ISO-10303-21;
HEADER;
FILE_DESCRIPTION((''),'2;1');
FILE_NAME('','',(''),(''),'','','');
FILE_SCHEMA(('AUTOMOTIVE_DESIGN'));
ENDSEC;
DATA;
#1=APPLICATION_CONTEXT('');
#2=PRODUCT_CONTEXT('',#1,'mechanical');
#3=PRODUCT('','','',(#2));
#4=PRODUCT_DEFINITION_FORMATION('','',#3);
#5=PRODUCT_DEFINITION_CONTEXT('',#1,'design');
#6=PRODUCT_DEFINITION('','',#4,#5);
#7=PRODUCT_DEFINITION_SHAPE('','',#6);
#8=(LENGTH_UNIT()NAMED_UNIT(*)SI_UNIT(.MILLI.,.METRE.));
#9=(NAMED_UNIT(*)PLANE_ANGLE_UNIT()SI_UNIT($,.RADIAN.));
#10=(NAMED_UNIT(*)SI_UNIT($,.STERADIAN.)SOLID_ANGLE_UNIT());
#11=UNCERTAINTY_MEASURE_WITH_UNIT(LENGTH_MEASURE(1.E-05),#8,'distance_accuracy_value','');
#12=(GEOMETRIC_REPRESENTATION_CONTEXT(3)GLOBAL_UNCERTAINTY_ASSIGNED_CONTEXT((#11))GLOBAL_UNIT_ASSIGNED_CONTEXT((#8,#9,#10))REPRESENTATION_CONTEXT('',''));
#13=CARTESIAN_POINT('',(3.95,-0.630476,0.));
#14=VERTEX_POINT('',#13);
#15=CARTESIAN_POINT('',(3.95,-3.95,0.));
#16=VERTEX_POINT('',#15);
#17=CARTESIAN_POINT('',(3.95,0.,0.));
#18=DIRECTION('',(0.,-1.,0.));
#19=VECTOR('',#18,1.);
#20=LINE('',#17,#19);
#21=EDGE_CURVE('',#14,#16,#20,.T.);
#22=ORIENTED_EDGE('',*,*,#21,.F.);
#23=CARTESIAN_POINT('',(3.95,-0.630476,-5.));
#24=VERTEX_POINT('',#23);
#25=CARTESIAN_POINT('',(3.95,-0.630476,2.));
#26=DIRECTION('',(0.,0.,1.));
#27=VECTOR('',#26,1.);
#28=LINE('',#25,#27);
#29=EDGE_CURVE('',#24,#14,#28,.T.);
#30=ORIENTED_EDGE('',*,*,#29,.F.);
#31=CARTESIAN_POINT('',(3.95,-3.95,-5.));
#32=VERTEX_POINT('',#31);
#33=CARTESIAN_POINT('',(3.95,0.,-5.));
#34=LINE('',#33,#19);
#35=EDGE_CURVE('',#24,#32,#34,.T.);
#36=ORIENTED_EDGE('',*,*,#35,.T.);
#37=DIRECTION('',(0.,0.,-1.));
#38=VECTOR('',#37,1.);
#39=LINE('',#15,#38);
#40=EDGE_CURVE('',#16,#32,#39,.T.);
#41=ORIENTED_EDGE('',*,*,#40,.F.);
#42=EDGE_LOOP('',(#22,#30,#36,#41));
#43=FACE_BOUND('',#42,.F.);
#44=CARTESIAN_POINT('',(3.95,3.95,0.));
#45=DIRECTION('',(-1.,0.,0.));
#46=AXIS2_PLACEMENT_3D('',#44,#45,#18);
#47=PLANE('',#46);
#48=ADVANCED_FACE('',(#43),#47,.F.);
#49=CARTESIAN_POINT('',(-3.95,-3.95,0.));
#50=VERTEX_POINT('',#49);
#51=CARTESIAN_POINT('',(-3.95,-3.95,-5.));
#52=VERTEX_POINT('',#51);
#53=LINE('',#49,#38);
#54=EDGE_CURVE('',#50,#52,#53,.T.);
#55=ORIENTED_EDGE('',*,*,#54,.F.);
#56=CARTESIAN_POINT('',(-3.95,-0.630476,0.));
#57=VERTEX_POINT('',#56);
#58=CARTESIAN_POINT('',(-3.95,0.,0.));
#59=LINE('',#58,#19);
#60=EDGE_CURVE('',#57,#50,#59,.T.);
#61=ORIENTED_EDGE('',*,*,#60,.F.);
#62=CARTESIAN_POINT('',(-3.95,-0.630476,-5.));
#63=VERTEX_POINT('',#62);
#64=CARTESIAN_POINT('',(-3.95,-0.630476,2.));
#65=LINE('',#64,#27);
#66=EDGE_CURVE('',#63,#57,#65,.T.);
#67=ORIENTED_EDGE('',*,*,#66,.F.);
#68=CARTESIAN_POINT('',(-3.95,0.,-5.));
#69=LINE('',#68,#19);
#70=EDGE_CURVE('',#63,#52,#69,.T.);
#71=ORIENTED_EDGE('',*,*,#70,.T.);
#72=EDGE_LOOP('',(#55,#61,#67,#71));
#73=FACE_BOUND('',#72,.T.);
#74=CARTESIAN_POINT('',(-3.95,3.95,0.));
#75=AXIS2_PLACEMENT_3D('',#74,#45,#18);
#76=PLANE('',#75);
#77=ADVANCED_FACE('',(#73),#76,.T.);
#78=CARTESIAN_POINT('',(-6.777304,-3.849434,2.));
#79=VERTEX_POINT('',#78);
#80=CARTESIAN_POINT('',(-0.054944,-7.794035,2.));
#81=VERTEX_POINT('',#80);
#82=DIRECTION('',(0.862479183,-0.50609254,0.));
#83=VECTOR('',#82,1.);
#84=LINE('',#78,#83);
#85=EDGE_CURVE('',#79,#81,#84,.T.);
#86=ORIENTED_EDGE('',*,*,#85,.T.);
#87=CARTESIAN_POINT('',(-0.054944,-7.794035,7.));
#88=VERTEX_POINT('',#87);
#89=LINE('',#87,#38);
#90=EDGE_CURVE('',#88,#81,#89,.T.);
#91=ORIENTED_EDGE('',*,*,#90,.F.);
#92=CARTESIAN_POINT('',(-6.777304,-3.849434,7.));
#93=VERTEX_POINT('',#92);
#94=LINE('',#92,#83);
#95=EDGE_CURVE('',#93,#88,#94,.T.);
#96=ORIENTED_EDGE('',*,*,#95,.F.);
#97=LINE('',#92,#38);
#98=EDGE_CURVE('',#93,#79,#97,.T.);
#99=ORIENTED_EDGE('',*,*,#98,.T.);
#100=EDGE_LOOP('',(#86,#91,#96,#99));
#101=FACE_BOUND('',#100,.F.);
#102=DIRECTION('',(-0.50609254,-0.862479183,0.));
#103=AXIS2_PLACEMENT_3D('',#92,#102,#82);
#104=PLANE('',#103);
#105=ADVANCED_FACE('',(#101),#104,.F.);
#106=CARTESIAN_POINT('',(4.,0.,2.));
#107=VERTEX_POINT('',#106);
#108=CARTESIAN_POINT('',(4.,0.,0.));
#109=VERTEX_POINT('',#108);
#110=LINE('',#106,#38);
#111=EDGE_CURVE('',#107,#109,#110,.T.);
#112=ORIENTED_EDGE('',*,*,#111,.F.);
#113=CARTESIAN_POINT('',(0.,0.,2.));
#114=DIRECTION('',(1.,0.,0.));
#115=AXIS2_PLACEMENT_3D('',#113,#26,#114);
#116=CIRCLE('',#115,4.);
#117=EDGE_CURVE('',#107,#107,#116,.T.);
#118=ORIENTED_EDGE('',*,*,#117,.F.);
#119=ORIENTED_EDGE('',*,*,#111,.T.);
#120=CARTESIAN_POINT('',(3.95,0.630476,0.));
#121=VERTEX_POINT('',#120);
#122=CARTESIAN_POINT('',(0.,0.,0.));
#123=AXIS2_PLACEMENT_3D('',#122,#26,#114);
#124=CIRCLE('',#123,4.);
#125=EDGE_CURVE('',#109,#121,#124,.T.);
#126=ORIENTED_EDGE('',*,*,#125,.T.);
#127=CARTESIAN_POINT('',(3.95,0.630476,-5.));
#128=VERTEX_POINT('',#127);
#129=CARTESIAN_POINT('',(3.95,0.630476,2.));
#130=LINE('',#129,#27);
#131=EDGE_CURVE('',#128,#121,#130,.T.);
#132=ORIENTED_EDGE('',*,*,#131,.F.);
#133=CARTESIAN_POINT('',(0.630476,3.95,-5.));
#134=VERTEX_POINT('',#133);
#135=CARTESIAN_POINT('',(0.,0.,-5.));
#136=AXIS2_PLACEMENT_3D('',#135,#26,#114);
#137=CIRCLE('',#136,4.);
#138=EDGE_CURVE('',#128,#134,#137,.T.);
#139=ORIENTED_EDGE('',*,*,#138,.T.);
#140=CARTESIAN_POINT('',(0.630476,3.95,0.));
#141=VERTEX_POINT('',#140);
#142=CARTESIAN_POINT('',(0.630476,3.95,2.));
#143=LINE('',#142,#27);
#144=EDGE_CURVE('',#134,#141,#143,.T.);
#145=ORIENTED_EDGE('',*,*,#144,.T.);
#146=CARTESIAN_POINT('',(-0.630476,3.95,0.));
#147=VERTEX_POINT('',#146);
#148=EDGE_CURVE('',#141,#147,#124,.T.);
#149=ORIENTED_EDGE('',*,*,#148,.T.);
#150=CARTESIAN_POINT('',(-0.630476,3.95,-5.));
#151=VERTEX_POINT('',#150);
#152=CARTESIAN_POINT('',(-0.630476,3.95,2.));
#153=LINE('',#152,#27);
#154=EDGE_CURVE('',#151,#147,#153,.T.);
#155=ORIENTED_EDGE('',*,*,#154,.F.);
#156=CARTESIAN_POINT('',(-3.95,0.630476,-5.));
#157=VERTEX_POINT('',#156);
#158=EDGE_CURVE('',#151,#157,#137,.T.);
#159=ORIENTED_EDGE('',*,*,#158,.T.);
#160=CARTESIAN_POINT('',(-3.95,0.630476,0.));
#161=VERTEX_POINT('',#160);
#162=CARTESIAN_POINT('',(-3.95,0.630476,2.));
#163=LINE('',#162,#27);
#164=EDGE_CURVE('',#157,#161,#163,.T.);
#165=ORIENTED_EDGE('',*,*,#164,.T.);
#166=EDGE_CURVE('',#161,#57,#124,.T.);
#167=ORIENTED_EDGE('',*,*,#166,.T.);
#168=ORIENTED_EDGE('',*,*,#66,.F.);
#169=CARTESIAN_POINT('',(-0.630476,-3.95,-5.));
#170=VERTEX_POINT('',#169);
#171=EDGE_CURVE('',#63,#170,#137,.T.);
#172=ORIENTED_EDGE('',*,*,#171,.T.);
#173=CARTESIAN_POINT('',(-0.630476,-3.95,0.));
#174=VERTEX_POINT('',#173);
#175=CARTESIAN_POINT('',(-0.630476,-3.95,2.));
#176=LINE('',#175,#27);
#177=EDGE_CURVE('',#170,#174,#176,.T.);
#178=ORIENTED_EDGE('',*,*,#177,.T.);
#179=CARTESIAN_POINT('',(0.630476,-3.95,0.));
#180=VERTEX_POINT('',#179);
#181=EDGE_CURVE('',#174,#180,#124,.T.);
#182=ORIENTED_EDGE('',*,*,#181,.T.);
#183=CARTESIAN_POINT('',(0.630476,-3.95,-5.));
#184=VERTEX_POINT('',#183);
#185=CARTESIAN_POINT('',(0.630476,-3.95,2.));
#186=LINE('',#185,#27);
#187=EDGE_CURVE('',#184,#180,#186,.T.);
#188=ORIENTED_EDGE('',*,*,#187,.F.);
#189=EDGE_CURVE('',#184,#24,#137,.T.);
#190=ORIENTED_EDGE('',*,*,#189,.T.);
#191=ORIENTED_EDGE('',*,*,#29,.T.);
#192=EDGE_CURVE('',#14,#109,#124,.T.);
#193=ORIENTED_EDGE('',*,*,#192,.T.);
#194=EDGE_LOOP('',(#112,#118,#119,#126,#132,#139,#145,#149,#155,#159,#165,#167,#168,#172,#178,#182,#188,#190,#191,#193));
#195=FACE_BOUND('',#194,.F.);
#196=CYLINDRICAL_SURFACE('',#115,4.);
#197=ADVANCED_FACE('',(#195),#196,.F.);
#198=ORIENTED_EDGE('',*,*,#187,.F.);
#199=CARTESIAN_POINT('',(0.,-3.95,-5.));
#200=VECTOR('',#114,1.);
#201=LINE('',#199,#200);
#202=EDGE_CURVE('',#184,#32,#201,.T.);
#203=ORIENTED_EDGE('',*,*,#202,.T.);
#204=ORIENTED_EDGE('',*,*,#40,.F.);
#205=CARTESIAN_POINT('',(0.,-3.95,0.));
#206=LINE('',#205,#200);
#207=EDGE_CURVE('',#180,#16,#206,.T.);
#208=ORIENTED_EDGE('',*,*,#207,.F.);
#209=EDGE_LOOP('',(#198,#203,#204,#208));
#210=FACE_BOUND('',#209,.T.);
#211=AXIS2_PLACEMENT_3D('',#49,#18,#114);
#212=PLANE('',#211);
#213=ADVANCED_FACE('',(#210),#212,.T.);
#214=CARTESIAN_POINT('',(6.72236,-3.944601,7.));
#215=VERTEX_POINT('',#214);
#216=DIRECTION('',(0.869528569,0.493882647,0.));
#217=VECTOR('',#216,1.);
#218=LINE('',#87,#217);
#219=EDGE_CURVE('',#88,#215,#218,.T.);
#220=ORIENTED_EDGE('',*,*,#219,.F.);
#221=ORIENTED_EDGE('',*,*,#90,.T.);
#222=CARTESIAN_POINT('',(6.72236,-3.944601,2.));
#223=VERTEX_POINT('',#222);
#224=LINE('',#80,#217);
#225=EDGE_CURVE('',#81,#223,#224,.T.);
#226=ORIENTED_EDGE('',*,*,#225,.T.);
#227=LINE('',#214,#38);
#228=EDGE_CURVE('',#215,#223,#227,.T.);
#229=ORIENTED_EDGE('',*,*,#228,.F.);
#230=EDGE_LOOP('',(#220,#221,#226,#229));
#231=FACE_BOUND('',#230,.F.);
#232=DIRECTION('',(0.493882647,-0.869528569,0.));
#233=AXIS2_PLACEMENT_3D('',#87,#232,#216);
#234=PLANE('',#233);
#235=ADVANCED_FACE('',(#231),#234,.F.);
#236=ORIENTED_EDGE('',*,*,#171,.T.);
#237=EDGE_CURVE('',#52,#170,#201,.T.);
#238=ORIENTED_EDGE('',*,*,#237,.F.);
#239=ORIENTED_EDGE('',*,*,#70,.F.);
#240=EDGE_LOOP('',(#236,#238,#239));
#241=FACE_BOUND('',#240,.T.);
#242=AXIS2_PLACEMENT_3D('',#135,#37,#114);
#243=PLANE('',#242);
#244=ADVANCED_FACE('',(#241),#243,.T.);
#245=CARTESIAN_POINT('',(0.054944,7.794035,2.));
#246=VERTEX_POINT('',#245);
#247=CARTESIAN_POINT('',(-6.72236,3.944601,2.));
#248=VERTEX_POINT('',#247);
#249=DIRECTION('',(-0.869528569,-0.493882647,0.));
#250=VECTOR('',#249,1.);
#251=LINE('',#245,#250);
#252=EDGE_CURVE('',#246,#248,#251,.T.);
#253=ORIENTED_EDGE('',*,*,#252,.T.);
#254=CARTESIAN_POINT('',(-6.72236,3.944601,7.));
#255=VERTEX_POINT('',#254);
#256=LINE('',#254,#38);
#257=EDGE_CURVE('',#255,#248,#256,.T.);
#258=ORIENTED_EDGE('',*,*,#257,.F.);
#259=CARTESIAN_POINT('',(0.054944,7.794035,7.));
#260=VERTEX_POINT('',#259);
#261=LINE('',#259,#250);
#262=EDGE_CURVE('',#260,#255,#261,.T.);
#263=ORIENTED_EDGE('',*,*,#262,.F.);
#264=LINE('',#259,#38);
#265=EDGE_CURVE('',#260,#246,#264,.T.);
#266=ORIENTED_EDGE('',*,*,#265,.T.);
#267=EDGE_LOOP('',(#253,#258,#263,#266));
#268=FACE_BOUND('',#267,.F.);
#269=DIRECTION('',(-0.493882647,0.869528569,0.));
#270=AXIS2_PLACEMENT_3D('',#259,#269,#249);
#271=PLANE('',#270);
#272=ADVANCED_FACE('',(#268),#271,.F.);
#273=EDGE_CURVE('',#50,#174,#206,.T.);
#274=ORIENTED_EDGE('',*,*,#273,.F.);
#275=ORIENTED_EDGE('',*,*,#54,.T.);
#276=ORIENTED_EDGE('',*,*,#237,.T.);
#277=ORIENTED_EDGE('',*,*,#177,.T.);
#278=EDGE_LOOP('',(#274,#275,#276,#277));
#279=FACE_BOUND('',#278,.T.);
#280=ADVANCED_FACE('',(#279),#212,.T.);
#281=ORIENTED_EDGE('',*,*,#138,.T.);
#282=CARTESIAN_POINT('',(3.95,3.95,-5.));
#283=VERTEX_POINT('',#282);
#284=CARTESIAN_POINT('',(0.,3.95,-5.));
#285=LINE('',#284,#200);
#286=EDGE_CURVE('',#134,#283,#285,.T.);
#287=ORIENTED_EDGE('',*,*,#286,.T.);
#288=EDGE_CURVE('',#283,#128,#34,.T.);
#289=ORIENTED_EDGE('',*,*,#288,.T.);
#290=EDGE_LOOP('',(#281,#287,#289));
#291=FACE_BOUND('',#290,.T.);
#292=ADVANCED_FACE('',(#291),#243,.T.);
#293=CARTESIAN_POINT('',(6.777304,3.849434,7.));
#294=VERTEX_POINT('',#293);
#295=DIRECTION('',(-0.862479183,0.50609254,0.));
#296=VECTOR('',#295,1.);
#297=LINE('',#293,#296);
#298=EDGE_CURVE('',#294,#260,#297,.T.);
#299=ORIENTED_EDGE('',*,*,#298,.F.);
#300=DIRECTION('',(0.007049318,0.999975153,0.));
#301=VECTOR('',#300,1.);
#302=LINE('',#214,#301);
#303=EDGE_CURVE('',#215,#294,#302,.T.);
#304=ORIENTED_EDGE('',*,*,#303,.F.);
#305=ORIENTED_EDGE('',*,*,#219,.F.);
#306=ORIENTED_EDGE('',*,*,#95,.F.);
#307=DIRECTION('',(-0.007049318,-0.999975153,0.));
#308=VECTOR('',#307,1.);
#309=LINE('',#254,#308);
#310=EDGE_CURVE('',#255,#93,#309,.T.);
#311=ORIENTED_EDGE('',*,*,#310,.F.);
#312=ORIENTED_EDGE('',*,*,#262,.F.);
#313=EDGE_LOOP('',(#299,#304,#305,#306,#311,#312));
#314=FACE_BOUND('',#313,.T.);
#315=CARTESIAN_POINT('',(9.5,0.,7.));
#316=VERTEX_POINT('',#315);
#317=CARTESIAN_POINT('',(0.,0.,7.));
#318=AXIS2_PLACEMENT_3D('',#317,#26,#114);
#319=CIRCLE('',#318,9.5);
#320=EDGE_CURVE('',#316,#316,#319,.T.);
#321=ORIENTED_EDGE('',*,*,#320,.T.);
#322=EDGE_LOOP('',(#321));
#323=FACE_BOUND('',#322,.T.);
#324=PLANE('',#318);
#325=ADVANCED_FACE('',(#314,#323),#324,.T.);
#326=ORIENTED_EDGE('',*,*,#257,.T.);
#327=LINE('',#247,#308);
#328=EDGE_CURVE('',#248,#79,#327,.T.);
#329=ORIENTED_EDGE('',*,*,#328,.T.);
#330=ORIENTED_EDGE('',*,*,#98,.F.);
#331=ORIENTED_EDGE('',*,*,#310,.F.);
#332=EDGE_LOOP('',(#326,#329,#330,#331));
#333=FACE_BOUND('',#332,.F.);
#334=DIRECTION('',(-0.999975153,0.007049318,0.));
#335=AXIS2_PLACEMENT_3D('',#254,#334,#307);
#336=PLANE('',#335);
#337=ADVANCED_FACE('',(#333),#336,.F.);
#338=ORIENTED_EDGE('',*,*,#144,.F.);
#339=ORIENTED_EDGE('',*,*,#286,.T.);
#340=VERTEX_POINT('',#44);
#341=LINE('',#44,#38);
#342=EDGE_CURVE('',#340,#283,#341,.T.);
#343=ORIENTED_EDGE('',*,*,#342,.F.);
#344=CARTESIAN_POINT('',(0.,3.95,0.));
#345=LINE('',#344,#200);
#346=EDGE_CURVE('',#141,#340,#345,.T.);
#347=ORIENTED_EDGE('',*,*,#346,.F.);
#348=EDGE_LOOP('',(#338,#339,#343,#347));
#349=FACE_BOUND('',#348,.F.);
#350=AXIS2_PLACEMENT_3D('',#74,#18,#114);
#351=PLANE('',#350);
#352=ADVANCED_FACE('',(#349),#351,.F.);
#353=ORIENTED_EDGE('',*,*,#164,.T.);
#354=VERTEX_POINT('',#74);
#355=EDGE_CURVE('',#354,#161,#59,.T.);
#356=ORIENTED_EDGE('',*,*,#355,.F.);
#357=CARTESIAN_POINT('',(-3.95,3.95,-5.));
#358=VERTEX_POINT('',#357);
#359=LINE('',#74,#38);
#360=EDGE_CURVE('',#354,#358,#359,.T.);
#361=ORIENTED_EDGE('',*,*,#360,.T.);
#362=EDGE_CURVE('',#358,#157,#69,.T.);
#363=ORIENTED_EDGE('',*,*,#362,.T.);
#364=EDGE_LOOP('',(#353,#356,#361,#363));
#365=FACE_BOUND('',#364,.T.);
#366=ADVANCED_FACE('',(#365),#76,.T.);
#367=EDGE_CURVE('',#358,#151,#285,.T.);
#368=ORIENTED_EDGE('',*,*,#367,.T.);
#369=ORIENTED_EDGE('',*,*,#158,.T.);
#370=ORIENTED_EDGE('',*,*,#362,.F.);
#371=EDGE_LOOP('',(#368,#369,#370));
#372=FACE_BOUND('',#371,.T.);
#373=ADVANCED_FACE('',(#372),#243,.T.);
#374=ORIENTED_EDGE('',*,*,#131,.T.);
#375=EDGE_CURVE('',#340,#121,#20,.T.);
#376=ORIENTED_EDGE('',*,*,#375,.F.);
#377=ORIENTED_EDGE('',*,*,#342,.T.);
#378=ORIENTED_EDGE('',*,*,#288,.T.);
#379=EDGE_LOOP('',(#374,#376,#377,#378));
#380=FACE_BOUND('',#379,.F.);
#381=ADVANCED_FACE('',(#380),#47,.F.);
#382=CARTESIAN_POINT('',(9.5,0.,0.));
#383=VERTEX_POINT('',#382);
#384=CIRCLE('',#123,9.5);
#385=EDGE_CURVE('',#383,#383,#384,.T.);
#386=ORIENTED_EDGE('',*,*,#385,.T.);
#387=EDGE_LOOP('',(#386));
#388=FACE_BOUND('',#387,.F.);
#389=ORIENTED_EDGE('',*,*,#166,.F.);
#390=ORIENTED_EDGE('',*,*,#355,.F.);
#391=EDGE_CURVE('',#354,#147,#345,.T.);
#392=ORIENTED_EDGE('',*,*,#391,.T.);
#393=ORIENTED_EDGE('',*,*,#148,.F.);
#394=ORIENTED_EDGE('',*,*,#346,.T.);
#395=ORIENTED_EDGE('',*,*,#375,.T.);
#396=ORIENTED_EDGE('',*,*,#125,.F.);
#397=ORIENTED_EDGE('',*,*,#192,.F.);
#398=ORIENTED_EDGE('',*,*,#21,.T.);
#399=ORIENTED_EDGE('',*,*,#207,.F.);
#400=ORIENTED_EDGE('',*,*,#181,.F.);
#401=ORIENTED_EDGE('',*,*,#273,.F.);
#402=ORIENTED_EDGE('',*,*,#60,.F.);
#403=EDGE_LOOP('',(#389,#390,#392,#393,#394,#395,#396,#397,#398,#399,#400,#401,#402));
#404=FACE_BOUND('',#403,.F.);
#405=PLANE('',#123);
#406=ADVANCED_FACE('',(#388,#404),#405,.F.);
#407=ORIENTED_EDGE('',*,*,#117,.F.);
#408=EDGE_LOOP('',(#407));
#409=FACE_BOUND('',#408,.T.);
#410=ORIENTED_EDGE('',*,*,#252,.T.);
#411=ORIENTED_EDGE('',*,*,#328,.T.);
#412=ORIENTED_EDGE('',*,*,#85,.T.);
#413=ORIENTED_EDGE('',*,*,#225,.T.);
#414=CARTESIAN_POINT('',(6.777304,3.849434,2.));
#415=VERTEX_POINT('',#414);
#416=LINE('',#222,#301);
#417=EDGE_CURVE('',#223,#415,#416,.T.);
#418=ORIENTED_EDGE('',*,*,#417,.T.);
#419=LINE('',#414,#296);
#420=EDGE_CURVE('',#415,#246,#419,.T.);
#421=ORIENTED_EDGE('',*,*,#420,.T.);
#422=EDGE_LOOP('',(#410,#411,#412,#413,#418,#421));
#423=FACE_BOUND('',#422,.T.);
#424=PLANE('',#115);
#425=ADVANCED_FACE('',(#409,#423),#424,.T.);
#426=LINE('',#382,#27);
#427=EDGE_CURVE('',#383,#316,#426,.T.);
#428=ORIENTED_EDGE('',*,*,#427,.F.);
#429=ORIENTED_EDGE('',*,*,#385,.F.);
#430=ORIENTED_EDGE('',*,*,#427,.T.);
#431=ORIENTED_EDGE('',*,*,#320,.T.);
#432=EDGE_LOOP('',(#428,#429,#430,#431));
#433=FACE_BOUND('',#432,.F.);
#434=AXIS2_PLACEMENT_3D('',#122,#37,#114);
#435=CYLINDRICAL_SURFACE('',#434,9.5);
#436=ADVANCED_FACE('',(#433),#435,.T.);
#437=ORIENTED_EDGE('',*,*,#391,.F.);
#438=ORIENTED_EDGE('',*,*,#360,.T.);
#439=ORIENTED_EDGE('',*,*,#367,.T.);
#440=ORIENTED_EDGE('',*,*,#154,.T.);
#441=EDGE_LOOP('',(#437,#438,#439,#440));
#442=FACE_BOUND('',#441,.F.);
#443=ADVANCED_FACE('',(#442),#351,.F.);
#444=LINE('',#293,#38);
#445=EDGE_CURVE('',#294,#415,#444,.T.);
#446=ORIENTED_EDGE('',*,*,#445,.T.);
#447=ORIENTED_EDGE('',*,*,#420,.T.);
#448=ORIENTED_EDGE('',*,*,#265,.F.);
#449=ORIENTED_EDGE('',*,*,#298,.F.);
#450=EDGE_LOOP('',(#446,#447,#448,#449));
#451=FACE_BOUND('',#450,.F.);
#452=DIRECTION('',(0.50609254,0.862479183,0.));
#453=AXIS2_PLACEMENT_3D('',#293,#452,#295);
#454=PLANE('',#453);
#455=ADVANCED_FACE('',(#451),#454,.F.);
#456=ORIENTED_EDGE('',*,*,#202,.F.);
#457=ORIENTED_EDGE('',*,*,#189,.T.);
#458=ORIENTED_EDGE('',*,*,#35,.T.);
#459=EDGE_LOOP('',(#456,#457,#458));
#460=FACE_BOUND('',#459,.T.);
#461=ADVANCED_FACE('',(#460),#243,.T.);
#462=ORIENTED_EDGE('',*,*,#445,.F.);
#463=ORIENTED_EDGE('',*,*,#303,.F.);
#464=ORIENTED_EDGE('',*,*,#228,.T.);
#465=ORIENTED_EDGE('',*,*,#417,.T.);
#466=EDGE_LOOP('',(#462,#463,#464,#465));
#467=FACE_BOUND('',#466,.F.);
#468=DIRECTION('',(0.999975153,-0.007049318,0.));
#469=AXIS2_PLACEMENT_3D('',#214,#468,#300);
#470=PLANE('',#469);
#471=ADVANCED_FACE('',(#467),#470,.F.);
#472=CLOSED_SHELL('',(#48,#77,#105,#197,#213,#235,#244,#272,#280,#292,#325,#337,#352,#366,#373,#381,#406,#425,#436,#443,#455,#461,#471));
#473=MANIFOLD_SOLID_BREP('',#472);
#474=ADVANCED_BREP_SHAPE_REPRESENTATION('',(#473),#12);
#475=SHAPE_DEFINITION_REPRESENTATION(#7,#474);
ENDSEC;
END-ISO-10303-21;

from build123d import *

# Parameters (mm, degrees)
F0_R     = 9.5
F1_DEPTH = 7
F3_DEPTH = 5
F4_W     = 7.9
F4_H     = 7.9
F5_DEPTH = 5
F6_R     = 4
F7_DEPTH = 7.001


with BuildPart() as f1:
    # F0 (on Top) → F1 (new body)
    with BuildSketch(Plane.XY):
        Circle(F0_R)
    extrude(amount=F1_DEPTH)

    # F2 (on face) → F3 (cut)
    with BuildSketch(Plane.XY.offset(7)):
        Polygon((-0.054944, -7.794035), (6.72236, -3.944601), (6.777304, 3.849434), (0.054944, 7.794035), (-6.72236, 3.944601), (-6.777304, -3.849434), align=None)
    extrude(amount=-F3_DEPTH, mode=Mode.SUBTRACT)

    # F4 (on face) → F5 (join)
    with BuildSketch(Plane(origin=(0, 0, 0), x_dir=(1, 0, 0), z_dir=(0, 0, -1))):
        Rectangle(F4_W, F4_H)
    extrude(amount=F5_DEPTH)

    # F6 (on face) → F7 (cut, through all)
    with BuildSketch(Plane.XY.offset(2)):
        Circle(F6_R)
    extrude(amount=-F7_DEPTH, mode=Mode.SUBTRACT)


solid = f1.part
